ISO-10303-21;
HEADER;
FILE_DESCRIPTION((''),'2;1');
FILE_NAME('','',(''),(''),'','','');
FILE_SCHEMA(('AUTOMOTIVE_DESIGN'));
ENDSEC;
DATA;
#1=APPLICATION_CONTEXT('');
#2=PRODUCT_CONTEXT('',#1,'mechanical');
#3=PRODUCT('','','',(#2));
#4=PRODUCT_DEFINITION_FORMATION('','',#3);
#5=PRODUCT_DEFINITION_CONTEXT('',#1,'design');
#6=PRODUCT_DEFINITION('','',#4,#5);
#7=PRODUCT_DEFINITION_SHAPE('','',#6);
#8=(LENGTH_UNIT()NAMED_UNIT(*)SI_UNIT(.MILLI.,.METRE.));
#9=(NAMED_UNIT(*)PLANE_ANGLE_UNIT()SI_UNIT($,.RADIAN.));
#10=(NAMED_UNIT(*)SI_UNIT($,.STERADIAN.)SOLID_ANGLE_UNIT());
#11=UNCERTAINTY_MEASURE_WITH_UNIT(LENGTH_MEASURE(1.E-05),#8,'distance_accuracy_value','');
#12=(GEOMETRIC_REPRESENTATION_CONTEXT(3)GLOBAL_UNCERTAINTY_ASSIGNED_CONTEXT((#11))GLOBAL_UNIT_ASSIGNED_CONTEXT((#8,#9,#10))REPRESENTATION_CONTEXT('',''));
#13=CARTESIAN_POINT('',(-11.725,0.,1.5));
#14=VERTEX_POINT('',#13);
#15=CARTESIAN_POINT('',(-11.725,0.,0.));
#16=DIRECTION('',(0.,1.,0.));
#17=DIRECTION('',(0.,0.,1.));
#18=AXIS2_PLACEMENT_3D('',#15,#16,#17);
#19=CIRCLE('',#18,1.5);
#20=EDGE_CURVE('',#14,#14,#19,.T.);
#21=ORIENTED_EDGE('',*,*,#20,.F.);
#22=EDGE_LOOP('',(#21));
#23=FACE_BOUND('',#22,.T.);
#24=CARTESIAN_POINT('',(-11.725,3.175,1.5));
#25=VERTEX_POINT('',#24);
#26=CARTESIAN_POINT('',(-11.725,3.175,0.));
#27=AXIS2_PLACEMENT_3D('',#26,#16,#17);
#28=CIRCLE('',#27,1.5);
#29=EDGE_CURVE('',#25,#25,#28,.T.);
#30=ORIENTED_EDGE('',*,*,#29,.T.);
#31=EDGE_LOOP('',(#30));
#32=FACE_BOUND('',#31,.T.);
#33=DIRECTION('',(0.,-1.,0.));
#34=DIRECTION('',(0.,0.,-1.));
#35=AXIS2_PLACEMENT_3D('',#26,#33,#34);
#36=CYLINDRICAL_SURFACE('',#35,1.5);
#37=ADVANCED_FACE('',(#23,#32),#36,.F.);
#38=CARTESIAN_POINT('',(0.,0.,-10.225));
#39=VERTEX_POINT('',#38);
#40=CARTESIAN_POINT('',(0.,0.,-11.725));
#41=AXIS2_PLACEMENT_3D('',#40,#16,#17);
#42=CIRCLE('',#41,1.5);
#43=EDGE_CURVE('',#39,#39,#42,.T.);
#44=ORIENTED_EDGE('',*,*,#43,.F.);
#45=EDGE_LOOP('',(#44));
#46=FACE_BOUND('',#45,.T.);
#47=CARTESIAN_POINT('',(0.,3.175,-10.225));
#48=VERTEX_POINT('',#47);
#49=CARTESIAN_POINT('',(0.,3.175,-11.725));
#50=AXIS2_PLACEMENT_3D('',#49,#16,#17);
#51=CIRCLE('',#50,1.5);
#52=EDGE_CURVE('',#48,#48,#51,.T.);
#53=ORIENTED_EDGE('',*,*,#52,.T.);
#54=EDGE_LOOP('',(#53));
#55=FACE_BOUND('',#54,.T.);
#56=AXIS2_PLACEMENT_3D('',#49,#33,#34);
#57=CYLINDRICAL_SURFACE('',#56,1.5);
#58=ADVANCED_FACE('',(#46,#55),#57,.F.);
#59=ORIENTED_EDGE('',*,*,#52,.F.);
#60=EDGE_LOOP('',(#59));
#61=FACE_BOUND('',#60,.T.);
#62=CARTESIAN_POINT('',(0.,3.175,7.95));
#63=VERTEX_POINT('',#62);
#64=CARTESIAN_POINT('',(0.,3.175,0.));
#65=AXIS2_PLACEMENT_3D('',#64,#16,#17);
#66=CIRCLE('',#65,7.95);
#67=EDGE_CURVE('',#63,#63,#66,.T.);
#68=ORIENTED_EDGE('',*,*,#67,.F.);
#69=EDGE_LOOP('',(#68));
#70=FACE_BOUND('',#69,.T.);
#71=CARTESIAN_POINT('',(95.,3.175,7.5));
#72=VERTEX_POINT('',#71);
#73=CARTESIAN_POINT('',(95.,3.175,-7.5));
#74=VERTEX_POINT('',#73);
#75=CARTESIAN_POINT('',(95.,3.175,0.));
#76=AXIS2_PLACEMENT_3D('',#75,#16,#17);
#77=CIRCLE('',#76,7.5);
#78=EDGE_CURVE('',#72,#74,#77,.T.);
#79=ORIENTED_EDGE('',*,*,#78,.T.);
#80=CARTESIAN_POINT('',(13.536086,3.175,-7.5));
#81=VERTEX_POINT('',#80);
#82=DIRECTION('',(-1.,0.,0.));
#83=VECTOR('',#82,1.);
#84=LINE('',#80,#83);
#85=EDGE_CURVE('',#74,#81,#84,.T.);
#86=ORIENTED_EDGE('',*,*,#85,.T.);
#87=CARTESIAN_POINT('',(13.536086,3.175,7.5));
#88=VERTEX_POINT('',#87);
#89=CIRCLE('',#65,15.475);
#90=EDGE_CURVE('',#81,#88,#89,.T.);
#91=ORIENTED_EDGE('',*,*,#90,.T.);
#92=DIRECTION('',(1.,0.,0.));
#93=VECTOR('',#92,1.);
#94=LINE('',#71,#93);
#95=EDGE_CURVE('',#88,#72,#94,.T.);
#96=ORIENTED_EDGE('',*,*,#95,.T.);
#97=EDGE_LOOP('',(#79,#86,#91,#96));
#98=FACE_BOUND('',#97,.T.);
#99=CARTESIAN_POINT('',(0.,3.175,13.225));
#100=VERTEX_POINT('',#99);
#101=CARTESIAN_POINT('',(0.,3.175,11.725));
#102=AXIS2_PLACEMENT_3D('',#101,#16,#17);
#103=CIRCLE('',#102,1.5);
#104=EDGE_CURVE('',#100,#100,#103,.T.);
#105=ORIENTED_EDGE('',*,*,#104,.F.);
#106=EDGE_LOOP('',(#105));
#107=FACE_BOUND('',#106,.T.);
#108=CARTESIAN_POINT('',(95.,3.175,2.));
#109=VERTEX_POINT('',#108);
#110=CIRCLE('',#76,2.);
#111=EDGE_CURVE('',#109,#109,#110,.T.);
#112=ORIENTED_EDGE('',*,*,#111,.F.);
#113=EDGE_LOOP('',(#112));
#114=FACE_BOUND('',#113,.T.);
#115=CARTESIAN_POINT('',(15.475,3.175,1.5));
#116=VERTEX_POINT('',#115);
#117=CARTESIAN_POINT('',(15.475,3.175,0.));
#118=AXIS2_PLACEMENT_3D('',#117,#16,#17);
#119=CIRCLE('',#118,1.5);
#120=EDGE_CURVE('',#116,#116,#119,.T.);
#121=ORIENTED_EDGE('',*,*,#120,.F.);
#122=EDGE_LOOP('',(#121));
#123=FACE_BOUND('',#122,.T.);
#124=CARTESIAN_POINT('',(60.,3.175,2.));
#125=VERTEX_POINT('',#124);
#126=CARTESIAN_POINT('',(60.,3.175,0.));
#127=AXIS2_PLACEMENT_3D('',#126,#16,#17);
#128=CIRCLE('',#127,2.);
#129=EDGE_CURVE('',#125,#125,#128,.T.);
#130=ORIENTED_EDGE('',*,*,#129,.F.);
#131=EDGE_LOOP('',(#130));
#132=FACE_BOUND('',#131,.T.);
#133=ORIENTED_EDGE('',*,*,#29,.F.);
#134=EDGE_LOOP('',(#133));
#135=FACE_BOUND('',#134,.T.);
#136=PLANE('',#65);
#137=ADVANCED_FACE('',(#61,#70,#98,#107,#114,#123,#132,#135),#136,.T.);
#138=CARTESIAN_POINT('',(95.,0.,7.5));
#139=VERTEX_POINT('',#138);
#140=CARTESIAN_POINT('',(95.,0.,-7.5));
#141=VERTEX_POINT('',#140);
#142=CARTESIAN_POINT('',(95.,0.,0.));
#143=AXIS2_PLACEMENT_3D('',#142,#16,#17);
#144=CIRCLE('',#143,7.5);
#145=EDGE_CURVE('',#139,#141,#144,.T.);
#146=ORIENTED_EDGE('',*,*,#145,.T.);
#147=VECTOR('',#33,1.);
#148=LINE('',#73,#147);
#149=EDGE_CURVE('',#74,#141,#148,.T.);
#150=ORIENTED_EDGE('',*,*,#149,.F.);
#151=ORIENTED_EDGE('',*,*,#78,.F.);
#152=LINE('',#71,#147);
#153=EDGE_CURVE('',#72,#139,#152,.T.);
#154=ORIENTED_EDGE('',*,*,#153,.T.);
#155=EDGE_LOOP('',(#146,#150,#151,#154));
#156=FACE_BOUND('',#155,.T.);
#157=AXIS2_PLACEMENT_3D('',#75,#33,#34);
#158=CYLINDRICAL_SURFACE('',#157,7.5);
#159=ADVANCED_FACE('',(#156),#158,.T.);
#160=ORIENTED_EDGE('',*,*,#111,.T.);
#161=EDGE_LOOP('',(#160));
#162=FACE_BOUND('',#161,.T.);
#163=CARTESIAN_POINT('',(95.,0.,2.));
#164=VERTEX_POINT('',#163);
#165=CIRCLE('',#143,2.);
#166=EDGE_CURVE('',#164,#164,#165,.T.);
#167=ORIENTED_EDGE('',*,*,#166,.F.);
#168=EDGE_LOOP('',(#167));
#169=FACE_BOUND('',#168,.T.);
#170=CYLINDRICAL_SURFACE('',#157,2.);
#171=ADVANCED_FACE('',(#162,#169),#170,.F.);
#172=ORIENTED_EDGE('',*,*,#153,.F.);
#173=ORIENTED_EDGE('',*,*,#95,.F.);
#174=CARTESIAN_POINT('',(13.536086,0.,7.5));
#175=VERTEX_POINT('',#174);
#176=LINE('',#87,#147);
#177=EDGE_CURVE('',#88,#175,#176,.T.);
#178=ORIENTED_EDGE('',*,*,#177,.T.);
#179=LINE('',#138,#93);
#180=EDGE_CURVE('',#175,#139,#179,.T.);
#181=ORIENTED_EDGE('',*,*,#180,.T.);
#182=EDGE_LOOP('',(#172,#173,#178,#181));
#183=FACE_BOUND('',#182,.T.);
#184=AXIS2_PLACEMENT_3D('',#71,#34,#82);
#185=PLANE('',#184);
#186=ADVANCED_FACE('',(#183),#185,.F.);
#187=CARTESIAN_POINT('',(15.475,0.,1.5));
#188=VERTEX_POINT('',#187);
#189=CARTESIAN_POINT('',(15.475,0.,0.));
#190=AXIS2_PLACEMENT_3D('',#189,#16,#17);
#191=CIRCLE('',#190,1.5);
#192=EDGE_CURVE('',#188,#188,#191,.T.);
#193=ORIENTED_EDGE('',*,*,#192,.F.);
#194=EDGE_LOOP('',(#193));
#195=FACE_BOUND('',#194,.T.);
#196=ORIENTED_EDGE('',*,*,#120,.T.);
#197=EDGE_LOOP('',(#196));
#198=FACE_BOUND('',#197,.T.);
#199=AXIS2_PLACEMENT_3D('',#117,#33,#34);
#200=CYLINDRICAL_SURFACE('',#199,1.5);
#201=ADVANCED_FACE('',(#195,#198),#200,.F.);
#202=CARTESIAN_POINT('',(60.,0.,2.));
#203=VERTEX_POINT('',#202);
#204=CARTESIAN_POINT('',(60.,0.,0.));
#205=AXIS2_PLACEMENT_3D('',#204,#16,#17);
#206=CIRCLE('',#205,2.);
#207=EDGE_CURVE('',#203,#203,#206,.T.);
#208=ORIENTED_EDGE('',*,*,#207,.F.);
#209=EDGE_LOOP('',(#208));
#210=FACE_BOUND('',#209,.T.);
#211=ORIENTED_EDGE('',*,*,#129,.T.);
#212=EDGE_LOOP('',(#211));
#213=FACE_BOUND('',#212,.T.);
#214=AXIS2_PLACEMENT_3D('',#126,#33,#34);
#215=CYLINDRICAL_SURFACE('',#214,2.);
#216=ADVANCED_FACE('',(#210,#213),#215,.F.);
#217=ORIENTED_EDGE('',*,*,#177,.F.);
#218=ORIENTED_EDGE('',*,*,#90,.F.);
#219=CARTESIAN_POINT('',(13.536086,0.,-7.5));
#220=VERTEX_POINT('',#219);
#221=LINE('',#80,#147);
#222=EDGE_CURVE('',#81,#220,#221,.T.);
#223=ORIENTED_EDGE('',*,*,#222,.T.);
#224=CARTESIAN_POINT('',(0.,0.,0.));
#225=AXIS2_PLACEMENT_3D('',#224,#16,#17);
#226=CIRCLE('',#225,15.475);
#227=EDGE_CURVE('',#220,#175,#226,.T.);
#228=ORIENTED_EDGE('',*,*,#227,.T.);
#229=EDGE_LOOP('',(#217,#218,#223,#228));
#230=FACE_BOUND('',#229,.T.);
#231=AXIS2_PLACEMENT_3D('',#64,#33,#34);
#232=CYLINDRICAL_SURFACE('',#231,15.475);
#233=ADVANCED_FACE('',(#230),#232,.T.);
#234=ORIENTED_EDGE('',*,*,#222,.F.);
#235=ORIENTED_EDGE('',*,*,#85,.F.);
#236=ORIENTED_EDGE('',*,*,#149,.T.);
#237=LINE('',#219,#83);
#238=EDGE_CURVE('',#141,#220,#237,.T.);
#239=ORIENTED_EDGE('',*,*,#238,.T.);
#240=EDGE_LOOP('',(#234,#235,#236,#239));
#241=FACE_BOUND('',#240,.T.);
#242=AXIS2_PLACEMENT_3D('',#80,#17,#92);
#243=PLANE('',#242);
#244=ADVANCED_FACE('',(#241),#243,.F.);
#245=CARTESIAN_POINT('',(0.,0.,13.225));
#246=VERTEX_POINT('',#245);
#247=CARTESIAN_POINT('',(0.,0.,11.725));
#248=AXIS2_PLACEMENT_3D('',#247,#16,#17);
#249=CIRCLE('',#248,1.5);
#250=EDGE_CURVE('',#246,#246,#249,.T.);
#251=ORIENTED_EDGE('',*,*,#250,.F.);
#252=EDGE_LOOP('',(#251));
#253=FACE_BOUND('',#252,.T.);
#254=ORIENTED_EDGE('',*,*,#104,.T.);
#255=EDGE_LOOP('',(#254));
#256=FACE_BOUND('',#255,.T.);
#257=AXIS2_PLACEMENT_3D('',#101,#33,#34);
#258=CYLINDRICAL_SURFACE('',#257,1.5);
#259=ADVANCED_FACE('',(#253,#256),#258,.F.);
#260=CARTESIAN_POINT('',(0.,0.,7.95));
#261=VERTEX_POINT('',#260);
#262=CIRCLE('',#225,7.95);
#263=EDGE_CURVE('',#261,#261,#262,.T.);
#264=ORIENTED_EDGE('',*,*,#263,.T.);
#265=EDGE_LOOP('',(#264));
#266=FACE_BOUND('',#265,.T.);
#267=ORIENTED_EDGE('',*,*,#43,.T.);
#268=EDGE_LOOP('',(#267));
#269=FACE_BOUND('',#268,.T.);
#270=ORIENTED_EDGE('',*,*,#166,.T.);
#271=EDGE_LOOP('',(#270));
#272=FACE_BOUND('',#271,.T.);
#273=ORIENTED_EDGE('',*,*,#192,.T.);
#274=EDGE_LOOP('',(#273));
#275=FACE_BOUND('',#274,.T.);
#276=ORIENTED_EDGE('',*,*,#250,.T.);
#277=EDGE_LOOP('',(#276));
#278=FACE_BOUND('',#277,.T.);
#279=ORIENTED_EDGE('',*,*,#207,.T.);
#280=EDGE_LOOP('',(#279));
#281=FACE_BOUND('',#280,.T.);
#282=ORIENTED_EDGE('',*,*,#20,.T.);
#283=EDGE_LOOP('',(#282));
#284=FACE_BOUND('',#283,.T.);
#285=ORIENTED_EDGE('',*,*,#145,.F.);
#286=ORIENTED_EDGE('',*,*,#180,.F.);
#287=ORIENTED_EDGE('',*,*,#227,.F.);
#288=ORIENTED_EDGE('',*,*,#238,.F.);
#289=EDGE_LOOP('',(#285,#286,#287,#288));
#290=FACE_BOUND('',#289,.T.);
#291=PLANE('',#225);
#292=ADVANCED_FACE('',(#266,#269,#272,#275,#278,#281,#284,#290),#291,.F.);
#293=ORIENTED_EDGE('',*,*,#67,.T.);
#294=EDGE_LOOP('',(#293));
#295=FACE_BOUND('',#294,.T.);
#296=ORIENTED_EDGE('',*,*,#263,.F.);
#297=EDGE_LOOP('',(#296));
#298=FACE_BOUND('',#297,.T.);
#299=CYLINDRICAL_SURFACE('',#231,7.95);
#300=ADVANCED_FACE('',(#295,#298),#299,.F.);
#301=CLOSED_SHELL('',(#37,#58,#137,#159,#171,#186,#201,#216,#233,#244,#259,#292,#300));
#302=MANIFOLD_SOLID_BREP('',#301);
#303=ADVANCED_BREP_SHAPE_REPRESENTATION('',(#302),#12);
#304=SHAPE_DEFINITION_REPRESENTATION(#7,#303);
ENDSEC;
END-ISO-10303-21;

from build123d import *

# Parameters (mm, degrees)
SKETCH1_R           = 7.95
SKETCH1_R_2         = 1.5
SKETCH1_R_3         = 2
BOSS_EXTRUDE1_DEPTH = 3.175


with BuildPart() as part:
    # Sketch1 → Boss-Extrude1 (new body)
    with BuildSketch(Plane(origin=(0, 0, 0), x_dir=(1, 0, 0), z_dir=(0, 1, 0))):
        with BuildLine():
            Line((13.53608603, 7.5), (95, 7.5))
            ThreePointArc((95, 7.5), (102.5, 0), (95, -7.5))
            Line((95, -7.5), (13.53608603, -7.5))
            ThreePointArc((13.53608603, -7.5), (-15.475, 0), (13.53608603, 7.5))
        make_face()
        with Locations(Location((0, 0, 0), (0, 0, 270))):
            Circle(SKETCH1_R, mode=Mode.SUBTRACT)
        with Locations(Location((0, -11.725, 0), (0, 0, 270))):
            Circle(SKETCH1_R_2, mode=Mode.SUBTRACT)
        with Locations(Location((0, 11.725, 0), (0, 0, 270))):
            Circle(SKETCH1_R_2, mode=Mode.SUBTRACT)
        with Locations(Location((-11.725, 0, 0), (0, 0, 270))):
            Circle(SKETCH1_R_2, mode=Mode.SUBTRACT)
        with Locations(Location((15.475, 0, 0), (0, 0, 270))):
            Circle(SKETCH1_R_2, mode=Mode.SUBTRACT)
        with Locations(Location((95, 0, 0), (0, 0, 270))):
            Circle(SKETCH1_R_3, mode=Mode.SUBTRACT)
        with Locations(Location((60, 0, 0), (0, 0, 270))):
            Circle(SKETCH1_R_3, mode=Mode.SUBTRACT)
    extrude(amount=BOSS_EXTRUDE1_DEPTH)


solid = part.part
